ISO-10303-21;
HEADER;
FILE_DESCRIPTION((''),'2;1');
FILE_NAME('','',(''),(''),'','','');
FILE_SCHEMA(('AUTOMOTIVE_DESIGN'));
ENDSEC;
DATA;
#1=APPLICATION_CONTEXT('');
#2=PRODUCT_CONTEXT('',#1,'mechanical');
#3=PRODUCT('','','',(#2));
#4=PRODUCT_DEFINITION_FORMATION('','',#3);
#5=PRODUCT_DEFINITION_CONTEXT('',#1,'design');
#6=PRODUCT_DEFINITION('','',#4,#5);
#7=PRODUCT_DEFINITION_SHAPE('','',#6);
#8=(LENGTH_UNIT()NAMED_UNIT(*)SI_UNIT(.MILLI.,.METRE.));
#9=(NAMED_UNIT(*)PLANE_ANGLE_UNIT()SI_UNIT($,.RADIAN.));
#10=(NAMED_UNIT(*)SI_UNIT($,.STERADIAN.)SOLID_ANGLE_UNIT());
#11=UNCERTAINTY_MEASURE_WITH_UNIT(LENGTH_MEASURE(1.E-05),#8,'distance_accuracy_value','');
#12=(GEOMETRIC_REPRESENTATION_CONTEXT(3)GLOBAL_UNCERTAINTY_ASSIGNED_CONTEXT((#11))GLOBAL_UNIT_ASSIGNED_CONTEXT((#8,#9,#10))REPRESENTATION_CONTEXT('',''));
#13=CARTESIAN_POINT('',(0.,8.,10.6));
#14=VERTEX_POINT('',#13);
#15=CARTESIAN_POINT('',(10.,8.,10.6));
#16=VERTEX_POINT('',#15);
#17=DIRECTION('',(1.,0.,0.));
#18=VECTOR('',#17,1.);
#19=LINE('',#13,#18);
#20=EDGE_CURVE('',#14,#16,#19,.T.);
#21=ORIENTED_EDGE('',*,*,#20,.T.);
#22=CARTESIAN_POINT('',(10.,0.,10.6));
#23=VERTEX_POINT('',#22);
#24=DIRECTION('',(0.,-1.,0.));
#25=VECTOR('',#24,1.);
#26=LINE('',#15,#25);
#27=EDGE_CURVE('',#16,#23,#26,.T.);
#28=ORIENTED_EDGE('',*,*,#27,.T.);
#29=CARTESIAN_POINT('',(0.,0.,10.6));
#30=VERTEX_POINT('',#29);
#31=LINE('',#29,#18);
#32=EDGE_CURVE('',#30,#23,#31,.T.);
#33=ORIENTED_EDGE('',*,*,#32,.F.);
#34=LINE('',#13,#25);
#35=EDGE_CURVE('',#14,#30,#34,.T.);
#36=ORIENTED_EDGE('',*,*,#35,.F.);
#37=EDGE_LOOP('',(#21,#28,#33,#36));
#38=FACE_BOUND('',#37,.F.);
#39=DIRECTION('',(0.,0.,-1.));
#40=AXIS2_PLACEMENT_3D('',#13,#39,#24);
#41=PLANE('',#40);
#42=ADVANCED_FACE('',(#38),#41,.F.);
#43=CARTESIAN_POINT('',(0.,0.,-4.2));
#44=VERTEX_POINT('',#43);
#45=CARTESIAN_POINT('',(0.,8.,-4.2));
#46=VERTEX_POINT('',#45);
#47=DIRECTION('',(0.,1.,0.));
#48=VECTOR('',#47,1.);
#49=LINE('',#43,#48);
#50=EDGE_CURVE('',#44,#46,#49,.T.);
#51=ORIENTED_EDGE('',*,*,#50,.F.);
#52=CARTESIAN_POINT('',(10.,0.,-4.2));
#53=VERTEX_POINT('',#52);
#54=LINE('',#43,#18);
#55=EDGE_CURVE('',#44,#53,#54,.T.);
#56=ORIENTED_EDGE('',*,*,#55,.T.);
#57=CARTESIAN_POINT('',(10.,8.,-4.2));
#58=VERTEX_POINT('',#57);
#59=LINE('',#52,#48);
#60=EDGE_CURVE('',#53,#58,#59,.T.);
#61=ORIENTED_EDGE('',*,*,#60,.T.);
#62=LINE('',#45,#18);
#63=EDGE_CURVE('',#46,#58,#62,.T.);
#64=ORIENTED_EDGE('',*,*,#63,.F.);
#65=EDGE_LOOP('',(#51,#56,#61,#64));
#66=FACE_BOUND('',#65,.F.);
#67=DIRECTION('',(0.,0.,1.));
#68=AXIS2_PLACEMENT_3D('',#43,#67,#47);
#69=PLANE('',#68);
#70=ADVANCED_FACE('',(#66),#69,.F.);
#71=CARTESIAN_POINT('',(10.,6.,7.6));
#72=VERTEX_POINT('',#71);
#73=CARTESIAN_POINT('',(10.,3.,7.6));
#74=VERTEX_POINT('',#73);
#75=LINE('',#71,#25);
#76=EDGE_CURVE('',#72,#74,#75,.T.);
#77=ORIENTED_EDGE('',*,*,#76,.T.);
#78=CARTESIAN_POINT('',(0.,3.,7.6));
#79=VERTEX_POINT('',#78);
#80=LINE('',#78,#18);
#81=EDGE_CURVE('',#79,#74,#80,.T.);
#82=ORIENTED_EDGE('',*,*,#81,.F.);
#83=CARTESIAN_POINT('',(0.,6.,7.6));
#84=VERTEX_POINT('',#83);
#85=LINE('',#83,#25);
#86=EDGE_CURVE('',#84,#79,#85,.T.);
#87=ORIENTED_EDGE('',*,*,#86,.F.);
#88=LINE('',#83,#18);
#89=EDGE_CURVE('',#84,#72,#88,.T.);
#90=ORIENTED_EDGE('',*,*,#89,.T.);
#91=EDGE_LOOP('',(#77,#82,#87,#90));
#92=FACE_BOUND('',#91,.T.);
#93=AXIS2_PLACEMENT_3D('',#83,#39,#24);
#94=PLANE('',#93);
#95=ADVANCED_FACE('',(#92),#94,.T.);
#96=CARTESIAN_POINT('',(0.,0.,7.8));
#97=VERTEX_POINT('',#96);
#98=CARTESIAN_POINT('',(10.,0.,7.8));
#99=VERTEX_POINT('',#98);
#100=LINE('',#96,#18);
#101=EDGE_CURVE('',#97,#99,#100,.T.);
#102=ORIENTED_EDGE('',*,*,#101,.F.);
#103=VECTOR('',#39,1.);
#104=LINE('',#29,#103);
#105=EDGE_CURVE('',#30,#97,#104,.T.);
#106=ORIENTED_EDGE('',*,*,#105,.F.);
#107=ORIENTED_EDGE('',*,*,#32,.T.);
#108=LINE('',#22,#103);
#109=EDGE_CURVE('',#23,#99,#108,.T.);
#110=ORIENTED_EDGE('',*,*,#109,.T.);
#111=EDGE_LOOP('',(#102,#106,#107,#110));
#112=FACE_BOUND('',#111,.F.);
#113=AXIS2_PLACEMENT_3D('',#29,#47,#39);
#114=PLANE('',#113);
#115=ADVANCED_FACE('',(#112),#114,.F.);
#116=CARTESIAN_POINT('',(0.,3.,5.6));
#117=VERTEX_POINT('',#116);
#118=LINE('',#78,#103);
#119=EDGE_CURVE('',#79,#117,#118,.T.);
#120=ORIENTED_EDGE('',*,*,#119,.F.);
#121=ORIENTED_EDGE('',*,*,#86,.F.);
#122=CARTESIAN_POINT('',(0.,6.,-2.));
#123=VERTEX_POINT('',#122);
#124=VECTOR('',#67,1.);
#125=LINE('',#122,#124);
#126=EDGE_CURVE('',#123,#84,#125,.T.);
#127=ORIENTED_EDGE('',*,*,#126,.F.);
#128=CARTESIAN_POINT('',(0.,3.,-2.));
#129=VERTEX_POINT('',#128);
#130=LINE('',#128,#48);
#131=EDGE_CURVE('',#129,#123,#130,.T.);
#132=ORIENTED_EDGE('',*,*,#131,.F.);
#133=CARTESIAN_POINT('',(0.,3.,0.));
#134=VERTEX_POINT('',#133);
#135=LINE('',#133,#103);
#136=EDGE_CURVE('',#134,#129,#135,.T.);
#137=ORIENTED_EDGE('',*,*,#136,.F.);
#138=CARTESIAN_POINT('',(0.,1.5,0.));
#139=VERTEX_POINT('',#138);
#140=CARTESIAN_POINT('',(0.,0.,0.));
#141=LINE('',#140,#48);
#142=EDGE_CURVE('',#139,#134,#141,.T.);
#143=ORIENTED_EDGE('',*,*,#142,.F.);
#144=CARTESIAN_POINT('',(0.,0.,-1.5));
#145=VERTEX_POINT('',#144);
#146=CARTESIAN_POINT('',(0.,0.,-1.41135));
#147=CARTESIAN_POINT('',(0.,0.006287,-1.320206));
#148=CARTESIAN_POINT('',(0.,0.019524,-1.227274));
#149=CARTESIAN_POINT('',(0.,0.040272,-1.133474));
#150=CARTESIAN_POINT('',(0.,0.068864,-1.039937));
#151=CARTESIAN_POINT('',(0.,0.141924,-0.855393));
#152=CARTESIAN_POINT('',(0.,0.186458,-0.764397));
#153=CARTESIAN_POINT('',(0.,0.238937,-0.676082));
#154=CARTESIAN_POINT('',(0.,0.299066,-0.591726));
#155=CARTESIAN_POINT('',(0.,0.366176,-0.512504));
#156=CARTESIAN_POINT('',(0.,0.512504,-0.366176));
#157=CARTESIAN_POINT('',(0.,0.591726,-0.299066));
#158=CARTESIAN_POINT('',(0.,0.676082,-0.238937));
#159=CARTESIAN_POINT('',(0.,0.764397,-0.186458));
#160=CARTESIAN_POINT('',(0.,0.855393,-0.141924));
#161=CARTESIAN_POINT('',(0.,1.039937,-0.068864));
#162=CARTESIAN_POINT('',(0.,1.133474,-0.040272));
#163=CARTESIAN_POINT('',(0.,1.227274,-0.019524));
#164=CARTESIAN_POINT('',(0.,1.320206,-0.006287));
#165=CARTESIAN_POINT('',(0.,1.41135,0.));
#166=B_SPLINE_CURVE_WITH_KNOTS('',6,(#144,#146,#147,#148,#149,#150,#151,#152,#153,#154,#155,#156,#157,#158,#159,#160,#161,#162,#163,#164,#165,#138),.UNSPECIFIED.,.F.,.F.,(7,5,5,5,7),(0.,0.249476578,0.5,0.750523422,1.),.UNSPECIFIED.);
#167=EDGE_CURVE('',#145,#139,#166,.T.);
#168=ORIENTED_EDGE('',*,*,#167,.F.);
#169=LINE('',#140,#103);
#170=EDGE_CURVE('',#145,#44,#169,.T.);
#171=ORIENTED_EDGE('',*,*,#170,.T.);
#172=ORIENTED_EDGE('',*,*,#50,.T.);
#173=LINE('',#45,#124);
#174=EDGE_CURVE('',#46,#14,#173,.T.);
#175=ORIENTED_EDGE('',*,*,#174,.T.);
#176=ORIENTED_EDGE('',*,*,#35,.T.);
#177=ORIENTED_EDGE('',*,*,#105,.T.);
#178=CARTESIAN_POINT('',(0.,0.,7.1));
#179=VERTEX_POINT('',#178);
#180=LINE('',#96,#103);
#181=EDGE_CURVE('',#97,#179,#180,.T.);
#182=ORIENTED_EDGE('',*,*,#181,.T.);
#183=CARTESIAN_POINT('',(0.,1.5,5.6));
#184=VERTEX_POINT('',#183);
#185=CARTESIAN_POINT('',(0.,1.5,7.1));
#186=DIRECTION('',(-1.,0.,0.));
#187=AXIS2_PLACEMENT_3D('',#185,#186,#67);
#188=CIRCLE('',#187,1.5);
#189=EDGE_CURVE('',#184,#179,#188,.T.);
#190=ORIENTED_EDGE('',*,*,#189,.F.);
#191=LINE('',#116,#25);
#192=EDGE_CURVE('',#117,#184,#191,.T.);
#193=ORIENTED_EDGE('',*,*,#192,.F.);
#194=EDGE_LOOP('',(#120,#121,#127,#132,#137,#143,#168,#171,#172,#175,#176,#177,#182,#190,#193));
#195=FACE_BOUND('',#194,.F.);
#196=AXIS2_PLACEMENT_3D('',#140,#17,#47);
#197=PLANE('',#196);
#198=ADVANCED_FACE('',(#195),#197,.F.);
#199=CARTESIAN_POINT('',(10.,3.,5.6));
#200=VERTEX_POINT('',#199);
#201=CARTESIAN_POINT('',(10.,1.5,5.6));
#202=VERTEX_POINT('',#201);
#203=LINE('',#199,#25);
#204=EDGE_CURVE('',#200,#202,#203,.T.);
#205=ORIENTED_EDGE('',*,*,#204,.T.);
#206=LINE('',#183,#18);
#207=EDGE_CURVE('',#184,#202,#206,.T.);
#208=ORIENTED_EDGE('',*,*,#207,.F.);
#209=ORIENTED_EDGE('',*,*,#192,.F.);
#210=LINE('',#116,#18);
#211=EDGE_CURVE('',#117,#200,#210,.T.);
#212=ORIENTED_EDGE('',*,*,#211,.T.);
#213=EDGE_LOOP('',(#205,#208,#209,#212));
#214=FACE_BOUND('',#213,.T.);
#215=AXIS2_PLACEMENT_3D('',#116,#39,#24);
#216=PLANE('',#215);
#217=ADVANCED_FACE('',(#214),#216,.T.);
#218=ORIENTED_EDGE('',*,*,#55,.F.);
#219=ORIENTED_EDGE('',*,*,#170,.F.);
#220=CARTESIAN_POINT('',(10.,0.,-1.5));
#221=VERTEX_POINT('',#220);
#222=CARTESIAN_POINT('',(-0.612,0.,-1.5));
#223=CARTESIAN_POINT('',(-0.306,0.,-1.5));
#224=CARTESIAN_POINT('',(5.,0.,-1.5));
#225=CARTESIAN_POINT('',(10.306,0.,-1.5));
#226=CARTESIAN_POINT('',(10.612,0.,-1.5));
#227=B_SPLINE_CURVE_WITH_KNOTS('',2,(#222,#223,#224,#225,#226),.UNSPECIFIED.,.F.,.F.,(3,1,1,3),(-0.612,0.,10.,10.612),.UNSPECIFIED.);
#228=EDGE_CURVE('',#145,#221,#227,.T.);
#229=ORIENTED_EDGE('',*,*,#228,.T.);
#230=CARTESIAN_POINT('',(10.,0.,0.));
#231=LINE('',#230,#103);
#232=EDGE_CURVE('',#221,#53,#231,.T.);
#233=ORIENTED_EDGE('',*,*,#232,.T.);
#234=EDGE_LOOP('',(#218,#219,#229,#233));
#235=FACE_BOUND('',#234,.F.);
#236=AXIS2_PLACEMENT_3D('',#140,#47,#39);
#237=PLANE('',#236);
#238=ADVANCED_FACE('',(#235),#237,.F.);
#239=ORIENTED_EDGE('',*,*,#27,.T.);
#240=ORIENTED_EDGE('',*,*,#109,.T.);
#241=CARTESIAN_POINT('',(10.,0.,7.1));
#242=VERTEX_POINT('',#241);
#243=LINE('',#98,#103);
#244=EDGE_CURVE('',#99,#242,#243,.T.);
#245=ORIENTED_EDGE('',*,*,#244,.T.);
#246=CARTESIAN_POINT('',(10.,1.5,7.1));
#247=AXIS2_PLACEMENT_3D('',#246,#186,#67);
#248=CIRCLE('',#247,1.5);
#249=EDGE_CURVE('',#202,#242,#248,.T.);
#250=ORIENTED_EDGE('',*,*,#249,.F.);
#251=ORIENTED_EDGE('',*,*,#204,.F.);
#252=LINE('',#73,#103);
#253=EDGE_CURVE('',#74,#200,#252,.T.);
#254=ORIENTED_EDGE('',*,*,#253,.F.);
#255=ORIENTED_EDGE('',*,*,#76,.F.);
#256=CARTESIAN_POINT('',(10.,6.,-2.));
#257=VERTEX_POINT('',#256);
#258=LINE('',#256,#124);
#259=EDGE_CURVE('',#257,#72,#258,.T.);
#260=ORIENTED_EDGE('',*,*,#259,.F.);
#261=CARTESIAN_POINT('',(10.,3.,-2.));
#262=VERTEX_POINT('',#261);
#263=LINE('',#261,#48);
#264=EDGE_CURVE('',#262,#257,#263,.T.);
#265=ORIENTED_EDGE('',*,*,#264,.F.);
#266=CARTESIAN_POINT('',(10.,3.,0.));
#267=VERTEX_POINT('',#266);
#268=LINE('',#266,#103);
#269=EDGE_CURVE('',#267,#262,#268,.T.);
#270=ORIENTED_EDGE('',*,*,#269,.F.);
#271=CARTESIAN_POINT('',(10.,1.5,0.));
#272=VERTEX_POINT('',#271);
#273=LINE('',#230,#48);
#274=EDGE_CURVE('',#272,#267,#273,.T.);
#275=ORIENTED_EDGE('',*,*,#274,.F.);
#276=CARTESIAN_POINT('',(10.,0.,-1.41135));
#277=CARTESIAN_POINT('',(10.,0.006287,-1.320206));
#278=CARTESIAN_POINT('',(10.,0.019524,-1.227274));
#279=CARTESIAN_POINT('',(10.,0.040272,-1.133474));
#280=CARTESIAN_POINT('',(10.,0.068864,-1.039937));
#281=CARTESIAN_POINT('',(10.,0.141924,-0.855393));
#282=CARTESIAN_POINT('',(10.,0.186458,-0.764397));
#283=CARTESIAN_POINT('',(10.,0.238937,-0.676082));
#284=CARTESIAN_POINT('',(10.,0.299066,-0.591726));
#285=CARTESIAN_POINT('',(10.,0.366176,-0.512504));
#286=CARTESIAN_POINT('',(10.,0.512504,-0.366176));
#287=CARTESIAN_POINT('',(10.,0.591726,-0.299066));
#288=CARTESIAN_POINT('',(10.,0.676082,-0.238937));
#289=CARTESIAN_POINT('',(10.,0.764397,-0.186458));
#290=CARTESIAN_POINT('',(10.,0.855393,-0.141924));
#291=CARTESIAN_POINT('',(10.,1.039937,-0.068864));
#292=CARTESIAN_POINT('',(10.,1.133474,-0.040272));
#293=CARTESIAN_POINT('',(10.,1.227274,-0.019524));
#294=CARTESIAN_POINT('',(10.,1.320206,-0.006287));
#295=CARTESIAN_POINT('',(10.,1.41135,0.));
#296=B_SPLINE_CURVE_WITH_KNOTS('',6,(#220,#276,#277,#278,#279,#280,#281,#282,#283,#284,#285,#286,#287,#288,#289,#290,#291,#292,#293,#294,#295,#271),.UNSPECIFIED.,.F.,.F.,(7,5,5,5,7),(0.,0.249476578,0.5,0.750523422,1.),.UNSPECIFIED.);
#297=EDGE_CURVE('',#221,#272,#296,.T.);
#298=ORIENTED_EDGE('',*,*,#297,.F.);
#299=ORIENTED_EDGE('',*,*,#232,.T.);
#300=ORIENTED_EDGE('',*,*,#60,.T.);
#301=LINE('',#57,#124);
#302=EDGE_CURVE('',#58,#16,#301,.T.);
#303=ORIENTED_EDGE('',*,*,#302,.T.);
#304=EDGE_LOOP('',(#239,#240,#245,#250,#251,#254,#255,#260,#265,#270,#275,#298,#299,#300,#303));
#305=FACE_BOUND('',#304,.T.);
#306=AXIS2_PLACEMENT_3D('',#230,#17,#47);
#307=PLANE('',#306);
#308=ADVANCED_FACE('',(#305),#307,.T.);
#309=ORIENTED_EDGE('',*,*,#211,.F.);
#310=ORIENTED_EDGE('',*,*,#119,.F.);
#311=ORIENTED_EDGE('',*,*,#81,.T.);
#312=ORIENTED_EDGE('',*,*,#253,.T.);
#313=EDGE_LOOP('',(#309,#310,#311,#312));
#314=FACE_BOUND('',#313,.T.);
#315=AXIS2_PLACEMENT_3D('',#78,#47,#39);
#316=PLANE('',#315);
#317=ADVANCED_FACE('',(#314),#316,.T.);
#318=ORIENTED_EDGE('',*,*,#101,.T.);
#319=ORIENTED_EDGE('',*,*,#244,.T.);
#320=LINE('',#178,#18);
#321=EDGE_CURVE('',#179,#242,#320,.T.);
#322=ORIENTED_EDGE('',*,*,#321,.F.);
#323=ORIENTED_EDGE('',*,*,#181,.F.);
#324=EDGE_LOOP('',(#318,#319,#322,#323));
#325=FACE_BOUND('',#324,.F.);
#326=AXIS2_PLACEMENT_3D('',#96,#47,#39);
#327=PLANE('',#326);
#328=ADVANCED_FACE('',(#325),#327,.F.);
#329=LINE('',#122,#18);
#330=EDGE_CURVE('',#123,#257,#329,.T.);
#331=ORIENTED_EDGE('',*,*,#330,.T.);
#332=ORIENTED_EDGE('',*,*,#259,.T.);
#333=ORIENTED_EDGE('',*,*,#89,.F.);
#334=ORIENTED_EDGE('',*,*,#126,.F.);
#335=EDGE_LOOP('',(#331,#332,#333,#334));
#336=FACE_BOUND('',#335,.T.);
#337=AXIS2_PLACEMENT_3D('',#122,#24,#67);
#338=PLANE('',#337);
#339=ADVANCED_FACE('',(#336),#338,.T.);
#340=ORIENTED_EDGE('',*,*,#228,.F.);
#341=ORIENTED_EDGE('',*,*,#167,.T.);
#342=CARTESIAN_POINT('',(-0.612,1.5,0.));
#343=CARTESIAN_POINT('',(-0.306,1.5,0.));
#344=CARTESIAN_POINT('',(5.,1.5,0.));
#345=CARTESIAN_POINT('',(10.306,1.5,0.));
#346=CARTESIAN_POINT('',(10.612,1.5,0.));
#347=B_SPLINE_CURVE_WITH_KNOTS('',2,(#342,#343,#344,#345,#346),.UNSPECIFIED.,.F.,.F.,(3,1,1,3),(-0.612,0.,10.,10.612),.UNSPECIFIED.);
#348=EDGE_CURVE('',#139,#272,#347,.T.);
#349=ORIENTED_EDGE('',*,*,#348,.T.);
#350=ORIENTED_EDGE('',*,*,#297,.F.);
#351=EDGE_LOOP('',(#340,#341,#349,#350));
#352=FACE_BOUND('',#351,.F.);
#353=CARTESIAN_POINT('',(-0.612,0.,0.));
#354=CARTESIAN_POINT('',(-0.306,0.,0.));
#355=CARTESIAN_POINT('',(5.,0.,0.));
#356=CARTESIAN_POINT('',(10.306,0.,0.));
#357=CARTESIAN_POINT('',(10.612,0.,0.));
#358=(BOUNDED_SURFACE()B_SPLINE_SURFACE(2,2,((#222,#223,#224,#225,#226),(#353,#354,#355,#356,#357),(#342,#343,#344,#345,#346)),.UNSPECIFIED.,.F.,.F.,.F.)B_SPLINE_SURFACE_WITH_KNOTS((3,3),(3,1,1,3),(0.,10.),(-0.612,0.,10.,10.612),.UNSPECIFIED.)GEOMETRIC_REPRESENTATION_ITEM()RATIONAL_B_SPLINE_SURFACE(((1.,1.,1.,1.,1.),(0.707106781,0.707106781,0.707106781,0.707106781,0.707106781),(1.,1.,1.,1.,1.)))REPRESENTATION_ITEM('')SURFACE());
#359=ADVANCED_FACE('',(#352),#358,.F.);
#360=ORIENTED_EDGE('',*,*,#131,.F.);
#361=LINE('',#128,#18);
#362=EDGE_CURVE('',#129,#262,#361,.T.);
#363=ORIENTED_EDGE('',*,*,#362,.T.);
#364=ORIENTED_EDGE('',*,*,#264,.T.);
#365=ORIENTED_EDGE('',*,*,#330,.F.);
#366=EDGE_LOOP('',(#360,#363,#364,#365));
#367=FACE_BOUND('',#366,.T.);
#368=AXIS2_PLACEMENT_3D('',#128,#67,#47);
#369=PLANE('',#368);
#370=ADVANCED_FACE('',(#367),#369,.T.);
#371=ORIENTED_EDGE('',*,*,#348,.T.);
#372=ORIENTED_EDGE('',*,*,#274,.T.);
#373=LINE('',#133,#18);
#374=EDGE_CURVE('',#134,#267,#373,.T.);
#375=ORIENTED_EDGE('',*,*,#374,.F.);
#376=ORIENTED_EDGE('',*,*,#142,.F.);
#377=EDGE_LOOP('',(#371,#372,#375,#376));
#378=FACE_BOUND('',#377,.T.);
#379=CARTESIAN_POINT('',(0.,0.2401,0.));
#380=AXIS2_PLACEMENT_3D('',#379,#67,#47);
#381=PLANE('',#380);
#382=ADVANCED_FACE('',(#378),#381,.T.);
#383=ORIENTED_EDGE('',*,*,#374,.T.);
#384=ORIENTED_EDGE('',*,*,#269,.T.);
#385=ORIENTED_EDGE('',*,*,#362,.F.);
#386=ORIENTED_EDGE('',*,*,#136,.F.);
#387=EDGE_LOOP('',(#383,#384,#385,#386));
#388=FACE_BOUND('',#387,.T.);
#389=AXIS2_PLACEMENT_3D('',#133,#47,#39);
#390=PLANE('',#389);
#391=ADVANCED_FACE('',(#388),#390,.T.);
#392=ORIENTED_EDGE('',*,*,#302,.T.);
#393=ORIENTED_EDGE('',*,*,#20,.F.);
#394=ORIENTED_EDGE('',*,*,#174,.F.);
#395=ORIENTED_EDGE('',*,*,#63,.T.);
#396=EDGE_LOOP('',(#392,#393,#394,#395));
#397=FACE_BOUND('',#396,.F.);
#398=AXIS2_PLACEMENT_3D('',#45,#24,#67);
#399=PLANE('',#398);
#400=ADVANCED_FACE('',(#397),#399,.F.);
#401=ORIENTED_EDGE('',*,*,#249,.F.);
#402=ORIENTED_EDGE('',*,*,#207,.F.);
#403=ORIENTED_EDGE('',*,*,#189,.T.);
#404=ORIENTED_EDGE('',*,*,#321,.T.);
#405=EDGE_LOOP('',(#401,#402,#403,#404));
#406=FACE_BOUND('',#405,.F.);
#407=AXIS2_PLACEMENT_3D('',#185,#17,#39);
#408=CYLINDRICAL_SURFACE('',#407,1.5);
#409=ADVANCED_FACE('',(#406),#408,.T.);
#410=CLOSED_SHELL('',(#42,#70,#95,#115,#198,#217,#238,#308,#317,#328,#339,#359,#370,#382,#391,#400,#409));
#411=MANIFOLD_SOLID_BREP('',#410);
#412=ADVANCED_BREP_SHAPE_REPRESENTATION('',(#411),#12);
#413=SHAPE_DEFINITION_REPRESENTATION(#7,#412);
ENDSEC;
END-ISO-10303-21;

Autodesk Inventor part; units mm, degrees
ref_plane "YZ Plane" through (0, 0, 0) normal (1, 0, 0) x (0, 1, 0)
ref_plane "XZ Plane" through (0, 0, 0) normal (0, 1, 0) x (-1, 0, 0)
ref_plane "XY Plane" through (0, 0, 0) normal (0, 0, 1) x (1, 0, 0)
sketch "Sketch4" plane through (0, 0, 0) normal (1, 0, 0) x (0, 1, 0)
  line L0 (6, 7.6) -> (3, 7.6)
  line L1 (3, 7.6) -> (3, 5.6)
  line L2 (3, 5.6) -> (0, 5.6)
  line L3 (0, 0) -> (3, 0)
  line L4 (3, 0) -> (3, -2)
  line L5 (3, -2) -> (6, -2)
  line L6 (6, -2) -> (6, 7.6)
  line L7 (8, 10.6) -> (0, 10.6)
  line L8 (0, 10.6) -> (0, 7.8)
  line L9 (0, 7.8) -> (0, 7.8)
  line L10 (0, -4.2) -> (8, -4.2)
  line L11 (8, -4.2) -> (8, 10.6)
  line L12 (0, 7.8) -> (0, 5.6)
  line L13 (0.2401, 0) -> (0, 0)
  line L14 (0, 0) -> (0, -4.2)
  point P0 (4.5, 7.6)
  dimension "d23" = 2
  dimension "d24" = 3
  dimension "d28" = 2
  dimension "d29" = 5.6
  dimension "d31" = 3
extrude "Extrusion3" add sketch "Sketch4" along normal blind 10
fillet "Fillet6" radius 1.5 2 edges at (5, 0, 5.6) (5, 0, 0)
properties part number "guia"
